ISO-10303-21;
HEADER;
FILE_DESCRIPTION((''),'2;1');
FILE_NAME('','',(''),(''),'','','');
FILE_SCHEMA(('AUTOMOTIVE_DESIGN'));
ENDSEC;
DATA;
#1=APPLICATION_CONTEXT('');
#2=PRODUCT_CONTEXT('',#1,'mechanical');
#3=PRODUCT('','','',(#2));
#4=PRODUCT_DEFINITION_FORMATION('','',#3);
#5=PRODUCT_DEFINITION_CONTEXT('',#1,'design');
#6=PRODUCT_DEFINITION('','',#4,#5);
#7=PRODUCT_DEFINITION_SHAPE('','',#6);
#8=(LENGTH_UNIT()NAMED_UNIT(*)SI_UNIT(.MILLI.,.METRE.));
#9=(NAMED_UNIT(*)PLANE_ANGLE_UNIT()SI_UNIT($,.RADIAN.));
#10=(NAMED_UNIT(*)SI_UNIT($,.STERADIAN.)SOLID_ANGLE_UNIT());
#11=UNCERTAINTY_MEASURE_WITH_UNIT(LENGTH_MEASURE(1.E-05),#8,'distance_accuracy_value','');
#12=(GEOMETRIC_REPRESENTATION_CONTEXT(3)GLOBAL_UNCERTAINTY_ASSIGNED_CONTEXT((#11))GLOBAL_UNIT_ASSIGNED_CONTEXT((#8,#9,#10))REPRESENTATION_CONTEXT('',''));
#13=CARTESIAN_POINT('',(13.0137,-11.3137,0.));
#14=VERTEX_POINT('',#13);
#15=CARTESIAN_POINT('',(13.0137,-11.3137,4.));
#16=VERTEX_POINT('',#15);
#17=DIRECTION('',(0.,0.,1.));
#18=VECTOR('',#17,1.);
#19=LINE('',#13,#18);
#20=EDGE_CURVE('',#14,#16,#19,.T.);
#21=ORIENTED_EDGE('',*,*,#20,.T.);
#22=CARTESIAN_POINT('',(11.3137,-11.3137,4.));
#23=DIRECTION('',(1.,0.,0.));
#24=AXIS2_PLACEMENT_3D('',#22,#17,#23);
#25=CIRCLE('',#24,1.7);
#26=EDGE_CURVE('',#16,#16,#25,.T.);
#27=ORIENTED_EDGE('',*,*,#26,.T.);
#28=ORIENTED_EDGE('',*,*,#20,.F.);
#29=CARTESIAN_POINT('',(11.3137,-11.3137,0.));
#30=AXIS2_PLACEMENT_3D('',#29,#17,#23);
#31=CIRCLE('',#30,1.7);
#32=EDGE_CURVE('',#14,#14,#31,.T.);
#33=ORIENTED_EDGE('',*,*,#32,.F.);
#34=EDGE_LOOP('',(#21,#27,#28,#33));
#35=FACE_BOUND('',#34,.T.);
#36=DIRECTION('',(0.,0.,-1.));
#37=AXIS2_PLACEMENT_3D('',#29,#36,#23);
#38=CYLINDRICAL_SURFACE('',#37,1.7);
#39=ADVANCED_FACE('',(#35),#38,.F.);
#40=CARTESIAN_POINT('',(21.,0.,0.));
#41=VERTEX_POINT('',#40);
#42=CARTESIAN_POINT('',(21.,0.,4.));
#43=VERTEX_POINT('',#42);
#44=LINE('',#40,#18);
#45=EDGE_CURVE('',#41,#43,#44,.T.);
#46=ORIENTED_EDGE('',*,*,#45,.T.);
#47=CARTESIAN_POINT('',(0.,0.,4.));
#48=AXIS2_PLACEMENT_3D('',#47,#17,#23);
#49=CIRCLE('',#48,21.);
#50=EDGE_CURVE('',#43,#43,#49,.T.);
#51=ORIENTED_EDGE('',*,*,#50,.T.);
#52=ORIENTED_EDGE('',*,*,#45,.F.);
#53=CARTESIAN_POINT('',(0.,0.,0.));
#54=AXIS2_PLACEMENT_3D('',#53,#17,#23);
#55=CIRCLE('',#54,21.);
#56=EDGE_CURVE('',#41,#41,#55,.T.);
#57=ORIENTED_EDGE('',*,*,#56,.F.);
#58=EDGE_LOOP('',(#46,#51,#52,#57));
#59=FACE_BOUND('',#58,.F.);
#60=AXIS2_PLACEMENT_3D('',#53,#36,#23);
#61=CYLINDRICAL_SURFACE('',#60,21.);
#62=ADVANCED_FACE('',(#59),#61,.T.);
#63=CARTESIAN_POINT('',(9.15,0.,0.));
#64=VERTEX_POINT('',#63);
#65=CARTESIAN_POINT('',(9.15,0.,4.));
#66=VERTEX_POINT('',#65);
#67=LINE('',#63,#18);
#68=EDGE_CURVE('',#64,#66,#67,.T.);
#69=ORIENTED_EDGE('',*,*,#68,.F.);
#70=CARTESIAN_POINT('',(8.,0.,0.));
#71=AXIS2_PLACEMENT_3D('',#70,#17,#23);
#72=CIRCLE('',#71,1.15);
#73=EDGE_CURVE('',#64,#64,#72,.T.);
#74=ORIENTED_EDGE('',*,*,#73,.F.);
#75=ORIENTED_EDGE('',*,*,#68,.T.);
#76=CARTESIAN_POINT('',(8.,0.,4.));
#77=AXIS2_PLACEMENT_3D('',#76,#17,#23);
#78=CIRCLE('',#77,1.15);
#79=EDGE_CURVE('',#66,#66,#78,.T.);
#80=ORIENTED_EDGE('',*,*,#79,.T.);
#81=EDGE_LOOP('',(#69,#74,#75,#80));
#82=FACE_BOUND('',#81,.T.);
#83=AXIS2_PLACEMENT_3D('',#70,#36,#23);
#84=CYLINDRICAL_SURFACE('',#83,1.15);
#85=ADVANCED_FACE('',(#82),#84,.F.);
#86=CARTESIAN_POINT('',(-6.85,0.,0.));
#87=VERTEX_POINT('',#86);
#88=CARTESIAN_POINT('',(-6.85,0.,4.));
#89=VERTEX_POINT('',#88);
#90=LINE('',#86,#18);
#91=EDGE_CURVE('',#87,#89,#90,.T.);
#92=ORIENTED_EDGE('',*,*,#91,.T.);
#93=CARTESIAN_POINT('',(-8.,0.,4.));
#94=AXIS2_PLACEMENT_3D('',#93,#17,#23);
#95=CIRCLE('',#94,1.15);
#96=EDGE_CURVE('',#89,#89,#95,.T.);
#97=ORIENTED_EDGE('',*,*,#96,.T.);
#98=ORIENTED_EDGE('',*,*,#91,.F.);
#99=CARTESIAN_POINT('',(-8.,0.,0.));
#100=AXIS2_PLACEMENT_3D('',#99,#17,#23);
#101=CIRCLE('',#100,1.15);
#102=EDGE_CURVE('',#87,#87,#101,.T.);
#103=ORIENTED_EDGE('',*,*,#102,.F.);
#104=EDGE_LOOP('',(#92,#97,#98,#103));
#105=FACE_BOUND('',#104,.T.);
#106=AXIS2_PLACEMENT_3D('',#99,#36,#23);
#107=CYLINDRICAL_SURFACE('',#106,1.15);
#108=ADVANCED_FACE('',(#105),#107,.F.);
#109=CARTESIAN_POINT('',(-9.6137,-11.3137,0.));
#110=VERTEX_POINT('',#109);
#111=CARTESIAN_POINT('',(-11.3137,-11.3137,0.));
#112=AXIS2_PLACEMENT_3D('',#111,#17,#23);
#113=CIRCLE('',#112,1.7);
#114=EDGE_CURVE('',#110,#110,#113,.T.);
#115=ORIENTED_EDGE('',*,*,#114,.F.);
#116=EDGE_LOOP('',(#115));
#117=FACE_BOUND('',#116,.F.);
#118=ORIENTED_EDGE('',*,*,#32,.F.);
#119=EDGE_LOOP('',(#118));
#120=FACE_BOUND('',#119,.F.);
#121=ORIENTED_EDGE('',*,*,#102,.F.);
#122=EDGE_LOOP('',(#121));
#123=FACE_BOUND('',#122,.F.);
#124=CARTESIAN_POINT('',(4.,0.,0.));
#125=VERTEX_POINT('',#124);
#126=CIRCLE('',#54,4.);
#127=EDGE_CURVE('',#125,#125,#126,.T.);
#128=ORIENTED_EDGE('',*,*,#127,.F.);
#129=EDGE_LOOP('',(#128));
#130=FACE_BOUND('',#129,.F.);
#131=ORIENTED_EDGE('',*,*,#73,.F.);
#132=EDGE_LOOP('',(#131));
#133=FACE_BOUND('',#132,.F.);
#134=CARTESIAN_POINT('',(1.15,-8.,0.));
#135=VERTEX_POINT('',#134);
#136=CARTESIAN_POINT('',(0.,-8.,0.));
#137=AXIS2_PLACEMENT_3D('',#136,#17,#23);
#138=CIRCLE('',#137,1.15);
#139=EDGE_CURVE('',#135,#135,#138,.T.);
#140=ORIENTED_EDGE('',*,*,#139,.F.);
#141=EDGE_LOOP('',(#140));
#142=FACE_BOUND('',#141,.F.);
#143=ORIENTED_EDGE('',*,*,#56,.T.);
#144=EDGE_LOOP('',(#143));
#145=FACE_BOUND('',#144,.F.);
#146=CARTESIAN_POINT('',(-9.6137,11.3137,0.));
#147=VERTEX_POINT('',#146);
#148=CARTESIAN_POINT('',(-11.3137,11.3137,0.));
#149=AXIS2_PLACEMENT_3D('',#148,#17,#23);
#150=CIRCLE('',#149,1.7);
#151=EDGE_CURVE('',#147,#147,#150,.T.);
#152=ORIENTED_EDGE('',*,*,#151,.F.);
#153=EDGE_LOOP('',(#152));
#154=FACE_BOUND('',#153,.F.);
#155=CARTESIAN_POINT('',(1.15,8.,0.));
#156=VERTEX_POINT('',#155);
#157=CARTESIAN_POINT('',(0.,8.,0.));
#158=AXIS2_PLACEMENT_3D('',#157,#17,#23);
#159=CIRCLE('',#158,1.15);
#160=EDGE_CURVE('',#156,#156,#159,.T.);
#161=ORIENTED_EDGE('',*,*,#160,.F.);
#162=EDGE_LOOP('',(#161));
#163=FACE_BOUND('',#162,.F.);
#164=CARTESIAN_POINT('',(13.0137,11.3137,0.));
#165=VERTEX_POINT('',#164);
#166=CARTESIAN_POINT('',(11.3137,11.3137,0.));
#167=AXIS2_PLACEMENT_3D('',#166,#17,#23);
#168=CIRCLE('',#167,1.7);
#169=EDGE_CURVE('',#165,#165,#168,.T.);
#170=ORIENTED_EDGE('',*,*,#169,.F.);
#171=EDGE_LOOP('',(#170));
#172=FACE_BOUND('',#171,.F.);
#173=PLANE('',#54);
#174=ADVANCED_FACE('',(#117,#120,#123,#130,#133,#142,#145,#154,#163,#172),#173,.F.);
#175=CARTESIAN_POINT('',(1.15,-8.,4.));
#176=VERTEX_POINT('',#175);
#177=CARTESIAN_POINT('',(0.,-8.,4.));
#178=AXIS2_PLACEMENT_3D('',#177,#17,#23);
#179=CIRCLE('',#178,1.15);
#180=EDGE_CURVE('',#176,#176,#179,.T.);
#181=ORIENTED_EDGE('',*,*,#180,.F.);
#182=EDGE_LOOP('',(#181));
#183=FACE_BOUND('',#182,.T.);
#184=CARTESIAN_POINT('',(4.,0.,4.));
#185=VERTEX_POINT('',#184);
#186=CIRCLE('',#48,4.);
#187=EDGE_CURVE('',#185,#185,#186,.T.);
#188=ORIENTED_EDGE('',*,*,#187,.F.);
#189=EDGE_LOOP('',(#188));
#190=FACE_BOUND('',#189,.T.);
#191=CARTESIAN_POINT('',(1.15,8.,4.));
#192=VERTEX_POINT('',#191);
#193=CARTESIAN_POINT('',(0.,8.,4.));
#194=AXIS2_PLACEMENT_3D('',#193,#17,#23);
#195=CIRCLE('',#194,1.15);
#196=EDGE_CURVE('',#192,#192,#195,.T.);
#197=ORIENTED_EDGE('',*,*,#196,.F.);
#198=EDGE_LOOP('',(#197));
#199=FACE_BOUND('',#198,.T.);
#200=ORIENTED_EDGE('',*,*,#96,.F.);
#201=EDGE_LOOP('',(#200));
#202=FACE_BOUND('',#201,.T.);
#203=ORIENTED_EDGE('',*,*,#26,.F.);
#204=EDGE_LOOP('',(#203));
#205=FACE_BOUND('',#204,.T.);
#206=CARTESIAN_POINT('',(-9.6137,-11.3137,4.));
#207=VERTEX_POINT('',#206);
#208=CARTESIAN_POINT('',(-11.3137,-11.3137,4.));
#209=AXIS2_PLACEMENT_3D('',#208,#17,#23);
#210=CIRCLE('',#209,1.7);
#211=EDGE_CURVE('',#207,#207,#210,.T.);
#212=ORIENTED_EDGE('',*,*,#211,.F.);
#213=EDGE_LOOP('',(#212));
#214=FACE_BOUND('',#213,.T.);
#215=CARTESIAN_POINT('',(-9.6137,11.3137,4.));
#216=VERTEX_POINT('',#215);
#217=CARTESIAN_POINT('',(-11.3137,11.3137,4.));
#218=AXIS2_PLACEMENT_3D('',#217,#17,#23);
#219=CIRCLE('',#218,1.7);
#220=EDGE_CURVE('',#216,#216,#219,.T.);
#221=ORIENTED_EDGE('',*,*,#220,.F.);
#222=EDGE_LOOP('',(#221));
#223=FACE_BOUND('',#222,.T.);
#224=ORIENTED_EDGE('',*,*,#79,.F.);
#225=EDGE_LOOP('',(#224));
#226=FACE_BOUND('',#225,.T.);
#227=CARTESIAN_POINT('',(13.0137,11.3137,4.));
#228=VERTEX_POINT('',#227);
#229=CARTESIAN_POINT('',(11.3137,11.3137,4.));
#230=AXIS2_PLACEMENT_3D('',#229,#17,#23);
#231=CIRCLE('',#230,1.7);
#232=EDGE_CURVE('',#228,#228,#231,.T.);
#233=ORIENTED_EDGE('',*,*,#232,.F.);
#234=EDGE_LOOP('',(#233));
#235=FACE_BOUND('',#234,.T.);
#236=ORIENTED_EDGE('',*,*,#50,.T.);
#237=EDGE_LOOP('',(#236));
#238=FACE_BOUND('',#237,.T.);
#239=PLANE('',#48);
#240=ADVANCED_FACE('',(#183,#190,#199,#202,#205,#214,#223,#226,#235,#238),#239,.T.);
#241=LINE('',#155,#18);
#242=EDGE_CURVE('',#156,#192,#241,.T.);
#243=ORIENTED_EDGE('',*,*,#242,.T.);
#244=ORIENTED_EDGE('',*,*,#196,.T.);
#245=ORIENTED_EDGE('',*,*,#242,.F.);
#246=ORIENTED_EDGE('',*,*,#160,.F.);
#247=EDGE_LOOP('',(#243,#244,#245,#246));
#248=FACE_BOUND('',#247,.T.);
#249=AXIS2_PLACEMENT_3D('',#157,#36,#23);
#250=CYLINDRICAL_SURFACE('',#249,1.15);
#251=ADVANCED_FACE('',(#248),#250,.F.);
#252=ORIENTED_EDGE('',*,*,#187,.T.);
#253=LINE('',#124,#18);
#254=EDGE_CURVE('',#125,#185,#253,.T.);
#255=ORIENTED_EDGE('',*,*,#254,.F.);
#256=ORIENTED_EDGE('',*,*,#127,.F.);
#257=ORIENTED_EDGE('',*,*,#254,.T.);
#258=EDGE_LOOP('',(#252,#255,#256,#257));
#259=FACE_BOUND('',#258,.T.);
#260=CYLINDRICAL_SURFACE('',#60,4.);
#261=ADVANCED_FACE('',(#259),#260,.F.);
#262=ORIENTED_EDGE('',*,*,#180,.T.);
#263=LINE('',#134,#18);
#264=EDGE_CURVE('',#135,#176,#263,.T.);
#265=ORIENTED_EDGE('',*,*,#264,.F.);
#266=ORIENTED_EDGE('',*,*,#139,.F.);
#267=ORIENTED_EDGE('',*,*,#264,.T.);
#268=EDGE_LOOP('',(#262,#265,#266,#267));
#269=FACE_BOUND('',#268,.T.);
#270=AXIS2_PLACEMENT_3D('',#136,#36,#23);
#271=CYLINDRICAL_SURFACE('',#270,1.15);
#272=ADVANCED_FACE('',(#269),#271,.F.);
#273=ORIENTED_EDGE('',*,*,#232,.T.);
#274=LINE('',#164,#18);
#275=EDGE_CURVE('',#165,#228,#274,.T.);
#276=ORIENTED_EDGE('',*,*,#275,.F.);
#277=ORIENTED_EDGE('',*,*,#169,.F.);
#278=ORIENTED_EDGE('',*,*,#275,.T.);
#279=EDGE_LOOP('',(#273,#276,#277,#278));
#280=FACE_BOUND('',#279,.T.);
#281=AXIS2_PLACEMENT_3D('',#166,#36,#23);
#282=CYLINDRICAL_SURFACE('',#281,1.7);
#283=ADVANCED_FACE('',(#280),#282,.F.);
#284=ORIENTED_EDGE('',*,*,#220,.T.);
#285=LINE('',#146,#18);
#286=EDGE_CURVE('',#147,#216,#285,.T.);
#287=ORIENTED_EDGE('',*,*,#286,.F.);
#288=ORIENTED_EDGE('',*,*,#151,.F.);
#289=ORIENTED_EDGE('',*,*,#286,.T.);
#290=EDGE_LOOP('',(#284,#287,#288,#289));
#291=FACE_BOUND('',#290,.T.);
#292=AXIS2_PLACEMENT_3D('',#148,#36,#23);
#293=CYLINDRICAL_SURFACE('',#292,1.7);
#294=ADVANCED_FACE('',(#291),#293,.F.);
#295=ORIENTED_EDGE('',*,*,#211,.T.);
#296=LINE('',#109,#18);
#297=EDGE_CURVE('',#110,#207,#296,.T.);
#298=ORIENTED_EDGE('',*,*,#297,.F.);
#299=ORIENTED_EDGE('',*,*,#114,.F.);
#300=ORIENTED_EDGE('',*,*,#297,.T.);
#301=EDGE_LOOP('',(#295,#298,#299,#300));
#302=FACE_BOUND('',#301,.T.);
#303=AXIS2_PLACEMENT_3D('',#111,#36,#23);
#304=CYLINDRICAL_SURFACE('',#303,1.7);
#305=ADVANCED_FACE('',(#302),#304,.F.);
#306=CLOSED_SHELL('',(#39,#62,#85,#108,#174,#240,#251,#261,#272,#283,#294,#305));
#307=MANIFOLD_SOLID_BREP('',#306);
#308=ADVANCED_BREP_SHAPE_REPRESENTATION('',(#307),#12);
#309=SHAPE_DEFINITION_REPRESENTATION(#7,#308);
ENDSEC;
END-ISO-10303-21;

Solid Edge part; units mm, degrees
sketch "Sketch1" plane through (0, 0, 0) normal (0, 0, 1) x (1, 0, 0)
  circle A0 centre (0, 0) radius 21
  circle A1 centre (0, 0) radius 4
  circle A2 centre (8, 0) radius 1.15
  circle A3 centre (0, 8) radius 1.15
  circle A4 centre (-8, 0) radius 1.15
  circle A5 centre (0, -8) radius 1.15
  circle A6 centre (11.3137, 11.3137) radius 1.7
  circle A7 centre (-11.3137, 11.3137) radius 1.7
  circle A8 centre (-11.3137, -11.3137) radius 1.7
  circle A9 centre (11.3137, -11.3137) radius 1.7
extrude "Protrusion1" add sketch "Sketch1" along normal blind 4
